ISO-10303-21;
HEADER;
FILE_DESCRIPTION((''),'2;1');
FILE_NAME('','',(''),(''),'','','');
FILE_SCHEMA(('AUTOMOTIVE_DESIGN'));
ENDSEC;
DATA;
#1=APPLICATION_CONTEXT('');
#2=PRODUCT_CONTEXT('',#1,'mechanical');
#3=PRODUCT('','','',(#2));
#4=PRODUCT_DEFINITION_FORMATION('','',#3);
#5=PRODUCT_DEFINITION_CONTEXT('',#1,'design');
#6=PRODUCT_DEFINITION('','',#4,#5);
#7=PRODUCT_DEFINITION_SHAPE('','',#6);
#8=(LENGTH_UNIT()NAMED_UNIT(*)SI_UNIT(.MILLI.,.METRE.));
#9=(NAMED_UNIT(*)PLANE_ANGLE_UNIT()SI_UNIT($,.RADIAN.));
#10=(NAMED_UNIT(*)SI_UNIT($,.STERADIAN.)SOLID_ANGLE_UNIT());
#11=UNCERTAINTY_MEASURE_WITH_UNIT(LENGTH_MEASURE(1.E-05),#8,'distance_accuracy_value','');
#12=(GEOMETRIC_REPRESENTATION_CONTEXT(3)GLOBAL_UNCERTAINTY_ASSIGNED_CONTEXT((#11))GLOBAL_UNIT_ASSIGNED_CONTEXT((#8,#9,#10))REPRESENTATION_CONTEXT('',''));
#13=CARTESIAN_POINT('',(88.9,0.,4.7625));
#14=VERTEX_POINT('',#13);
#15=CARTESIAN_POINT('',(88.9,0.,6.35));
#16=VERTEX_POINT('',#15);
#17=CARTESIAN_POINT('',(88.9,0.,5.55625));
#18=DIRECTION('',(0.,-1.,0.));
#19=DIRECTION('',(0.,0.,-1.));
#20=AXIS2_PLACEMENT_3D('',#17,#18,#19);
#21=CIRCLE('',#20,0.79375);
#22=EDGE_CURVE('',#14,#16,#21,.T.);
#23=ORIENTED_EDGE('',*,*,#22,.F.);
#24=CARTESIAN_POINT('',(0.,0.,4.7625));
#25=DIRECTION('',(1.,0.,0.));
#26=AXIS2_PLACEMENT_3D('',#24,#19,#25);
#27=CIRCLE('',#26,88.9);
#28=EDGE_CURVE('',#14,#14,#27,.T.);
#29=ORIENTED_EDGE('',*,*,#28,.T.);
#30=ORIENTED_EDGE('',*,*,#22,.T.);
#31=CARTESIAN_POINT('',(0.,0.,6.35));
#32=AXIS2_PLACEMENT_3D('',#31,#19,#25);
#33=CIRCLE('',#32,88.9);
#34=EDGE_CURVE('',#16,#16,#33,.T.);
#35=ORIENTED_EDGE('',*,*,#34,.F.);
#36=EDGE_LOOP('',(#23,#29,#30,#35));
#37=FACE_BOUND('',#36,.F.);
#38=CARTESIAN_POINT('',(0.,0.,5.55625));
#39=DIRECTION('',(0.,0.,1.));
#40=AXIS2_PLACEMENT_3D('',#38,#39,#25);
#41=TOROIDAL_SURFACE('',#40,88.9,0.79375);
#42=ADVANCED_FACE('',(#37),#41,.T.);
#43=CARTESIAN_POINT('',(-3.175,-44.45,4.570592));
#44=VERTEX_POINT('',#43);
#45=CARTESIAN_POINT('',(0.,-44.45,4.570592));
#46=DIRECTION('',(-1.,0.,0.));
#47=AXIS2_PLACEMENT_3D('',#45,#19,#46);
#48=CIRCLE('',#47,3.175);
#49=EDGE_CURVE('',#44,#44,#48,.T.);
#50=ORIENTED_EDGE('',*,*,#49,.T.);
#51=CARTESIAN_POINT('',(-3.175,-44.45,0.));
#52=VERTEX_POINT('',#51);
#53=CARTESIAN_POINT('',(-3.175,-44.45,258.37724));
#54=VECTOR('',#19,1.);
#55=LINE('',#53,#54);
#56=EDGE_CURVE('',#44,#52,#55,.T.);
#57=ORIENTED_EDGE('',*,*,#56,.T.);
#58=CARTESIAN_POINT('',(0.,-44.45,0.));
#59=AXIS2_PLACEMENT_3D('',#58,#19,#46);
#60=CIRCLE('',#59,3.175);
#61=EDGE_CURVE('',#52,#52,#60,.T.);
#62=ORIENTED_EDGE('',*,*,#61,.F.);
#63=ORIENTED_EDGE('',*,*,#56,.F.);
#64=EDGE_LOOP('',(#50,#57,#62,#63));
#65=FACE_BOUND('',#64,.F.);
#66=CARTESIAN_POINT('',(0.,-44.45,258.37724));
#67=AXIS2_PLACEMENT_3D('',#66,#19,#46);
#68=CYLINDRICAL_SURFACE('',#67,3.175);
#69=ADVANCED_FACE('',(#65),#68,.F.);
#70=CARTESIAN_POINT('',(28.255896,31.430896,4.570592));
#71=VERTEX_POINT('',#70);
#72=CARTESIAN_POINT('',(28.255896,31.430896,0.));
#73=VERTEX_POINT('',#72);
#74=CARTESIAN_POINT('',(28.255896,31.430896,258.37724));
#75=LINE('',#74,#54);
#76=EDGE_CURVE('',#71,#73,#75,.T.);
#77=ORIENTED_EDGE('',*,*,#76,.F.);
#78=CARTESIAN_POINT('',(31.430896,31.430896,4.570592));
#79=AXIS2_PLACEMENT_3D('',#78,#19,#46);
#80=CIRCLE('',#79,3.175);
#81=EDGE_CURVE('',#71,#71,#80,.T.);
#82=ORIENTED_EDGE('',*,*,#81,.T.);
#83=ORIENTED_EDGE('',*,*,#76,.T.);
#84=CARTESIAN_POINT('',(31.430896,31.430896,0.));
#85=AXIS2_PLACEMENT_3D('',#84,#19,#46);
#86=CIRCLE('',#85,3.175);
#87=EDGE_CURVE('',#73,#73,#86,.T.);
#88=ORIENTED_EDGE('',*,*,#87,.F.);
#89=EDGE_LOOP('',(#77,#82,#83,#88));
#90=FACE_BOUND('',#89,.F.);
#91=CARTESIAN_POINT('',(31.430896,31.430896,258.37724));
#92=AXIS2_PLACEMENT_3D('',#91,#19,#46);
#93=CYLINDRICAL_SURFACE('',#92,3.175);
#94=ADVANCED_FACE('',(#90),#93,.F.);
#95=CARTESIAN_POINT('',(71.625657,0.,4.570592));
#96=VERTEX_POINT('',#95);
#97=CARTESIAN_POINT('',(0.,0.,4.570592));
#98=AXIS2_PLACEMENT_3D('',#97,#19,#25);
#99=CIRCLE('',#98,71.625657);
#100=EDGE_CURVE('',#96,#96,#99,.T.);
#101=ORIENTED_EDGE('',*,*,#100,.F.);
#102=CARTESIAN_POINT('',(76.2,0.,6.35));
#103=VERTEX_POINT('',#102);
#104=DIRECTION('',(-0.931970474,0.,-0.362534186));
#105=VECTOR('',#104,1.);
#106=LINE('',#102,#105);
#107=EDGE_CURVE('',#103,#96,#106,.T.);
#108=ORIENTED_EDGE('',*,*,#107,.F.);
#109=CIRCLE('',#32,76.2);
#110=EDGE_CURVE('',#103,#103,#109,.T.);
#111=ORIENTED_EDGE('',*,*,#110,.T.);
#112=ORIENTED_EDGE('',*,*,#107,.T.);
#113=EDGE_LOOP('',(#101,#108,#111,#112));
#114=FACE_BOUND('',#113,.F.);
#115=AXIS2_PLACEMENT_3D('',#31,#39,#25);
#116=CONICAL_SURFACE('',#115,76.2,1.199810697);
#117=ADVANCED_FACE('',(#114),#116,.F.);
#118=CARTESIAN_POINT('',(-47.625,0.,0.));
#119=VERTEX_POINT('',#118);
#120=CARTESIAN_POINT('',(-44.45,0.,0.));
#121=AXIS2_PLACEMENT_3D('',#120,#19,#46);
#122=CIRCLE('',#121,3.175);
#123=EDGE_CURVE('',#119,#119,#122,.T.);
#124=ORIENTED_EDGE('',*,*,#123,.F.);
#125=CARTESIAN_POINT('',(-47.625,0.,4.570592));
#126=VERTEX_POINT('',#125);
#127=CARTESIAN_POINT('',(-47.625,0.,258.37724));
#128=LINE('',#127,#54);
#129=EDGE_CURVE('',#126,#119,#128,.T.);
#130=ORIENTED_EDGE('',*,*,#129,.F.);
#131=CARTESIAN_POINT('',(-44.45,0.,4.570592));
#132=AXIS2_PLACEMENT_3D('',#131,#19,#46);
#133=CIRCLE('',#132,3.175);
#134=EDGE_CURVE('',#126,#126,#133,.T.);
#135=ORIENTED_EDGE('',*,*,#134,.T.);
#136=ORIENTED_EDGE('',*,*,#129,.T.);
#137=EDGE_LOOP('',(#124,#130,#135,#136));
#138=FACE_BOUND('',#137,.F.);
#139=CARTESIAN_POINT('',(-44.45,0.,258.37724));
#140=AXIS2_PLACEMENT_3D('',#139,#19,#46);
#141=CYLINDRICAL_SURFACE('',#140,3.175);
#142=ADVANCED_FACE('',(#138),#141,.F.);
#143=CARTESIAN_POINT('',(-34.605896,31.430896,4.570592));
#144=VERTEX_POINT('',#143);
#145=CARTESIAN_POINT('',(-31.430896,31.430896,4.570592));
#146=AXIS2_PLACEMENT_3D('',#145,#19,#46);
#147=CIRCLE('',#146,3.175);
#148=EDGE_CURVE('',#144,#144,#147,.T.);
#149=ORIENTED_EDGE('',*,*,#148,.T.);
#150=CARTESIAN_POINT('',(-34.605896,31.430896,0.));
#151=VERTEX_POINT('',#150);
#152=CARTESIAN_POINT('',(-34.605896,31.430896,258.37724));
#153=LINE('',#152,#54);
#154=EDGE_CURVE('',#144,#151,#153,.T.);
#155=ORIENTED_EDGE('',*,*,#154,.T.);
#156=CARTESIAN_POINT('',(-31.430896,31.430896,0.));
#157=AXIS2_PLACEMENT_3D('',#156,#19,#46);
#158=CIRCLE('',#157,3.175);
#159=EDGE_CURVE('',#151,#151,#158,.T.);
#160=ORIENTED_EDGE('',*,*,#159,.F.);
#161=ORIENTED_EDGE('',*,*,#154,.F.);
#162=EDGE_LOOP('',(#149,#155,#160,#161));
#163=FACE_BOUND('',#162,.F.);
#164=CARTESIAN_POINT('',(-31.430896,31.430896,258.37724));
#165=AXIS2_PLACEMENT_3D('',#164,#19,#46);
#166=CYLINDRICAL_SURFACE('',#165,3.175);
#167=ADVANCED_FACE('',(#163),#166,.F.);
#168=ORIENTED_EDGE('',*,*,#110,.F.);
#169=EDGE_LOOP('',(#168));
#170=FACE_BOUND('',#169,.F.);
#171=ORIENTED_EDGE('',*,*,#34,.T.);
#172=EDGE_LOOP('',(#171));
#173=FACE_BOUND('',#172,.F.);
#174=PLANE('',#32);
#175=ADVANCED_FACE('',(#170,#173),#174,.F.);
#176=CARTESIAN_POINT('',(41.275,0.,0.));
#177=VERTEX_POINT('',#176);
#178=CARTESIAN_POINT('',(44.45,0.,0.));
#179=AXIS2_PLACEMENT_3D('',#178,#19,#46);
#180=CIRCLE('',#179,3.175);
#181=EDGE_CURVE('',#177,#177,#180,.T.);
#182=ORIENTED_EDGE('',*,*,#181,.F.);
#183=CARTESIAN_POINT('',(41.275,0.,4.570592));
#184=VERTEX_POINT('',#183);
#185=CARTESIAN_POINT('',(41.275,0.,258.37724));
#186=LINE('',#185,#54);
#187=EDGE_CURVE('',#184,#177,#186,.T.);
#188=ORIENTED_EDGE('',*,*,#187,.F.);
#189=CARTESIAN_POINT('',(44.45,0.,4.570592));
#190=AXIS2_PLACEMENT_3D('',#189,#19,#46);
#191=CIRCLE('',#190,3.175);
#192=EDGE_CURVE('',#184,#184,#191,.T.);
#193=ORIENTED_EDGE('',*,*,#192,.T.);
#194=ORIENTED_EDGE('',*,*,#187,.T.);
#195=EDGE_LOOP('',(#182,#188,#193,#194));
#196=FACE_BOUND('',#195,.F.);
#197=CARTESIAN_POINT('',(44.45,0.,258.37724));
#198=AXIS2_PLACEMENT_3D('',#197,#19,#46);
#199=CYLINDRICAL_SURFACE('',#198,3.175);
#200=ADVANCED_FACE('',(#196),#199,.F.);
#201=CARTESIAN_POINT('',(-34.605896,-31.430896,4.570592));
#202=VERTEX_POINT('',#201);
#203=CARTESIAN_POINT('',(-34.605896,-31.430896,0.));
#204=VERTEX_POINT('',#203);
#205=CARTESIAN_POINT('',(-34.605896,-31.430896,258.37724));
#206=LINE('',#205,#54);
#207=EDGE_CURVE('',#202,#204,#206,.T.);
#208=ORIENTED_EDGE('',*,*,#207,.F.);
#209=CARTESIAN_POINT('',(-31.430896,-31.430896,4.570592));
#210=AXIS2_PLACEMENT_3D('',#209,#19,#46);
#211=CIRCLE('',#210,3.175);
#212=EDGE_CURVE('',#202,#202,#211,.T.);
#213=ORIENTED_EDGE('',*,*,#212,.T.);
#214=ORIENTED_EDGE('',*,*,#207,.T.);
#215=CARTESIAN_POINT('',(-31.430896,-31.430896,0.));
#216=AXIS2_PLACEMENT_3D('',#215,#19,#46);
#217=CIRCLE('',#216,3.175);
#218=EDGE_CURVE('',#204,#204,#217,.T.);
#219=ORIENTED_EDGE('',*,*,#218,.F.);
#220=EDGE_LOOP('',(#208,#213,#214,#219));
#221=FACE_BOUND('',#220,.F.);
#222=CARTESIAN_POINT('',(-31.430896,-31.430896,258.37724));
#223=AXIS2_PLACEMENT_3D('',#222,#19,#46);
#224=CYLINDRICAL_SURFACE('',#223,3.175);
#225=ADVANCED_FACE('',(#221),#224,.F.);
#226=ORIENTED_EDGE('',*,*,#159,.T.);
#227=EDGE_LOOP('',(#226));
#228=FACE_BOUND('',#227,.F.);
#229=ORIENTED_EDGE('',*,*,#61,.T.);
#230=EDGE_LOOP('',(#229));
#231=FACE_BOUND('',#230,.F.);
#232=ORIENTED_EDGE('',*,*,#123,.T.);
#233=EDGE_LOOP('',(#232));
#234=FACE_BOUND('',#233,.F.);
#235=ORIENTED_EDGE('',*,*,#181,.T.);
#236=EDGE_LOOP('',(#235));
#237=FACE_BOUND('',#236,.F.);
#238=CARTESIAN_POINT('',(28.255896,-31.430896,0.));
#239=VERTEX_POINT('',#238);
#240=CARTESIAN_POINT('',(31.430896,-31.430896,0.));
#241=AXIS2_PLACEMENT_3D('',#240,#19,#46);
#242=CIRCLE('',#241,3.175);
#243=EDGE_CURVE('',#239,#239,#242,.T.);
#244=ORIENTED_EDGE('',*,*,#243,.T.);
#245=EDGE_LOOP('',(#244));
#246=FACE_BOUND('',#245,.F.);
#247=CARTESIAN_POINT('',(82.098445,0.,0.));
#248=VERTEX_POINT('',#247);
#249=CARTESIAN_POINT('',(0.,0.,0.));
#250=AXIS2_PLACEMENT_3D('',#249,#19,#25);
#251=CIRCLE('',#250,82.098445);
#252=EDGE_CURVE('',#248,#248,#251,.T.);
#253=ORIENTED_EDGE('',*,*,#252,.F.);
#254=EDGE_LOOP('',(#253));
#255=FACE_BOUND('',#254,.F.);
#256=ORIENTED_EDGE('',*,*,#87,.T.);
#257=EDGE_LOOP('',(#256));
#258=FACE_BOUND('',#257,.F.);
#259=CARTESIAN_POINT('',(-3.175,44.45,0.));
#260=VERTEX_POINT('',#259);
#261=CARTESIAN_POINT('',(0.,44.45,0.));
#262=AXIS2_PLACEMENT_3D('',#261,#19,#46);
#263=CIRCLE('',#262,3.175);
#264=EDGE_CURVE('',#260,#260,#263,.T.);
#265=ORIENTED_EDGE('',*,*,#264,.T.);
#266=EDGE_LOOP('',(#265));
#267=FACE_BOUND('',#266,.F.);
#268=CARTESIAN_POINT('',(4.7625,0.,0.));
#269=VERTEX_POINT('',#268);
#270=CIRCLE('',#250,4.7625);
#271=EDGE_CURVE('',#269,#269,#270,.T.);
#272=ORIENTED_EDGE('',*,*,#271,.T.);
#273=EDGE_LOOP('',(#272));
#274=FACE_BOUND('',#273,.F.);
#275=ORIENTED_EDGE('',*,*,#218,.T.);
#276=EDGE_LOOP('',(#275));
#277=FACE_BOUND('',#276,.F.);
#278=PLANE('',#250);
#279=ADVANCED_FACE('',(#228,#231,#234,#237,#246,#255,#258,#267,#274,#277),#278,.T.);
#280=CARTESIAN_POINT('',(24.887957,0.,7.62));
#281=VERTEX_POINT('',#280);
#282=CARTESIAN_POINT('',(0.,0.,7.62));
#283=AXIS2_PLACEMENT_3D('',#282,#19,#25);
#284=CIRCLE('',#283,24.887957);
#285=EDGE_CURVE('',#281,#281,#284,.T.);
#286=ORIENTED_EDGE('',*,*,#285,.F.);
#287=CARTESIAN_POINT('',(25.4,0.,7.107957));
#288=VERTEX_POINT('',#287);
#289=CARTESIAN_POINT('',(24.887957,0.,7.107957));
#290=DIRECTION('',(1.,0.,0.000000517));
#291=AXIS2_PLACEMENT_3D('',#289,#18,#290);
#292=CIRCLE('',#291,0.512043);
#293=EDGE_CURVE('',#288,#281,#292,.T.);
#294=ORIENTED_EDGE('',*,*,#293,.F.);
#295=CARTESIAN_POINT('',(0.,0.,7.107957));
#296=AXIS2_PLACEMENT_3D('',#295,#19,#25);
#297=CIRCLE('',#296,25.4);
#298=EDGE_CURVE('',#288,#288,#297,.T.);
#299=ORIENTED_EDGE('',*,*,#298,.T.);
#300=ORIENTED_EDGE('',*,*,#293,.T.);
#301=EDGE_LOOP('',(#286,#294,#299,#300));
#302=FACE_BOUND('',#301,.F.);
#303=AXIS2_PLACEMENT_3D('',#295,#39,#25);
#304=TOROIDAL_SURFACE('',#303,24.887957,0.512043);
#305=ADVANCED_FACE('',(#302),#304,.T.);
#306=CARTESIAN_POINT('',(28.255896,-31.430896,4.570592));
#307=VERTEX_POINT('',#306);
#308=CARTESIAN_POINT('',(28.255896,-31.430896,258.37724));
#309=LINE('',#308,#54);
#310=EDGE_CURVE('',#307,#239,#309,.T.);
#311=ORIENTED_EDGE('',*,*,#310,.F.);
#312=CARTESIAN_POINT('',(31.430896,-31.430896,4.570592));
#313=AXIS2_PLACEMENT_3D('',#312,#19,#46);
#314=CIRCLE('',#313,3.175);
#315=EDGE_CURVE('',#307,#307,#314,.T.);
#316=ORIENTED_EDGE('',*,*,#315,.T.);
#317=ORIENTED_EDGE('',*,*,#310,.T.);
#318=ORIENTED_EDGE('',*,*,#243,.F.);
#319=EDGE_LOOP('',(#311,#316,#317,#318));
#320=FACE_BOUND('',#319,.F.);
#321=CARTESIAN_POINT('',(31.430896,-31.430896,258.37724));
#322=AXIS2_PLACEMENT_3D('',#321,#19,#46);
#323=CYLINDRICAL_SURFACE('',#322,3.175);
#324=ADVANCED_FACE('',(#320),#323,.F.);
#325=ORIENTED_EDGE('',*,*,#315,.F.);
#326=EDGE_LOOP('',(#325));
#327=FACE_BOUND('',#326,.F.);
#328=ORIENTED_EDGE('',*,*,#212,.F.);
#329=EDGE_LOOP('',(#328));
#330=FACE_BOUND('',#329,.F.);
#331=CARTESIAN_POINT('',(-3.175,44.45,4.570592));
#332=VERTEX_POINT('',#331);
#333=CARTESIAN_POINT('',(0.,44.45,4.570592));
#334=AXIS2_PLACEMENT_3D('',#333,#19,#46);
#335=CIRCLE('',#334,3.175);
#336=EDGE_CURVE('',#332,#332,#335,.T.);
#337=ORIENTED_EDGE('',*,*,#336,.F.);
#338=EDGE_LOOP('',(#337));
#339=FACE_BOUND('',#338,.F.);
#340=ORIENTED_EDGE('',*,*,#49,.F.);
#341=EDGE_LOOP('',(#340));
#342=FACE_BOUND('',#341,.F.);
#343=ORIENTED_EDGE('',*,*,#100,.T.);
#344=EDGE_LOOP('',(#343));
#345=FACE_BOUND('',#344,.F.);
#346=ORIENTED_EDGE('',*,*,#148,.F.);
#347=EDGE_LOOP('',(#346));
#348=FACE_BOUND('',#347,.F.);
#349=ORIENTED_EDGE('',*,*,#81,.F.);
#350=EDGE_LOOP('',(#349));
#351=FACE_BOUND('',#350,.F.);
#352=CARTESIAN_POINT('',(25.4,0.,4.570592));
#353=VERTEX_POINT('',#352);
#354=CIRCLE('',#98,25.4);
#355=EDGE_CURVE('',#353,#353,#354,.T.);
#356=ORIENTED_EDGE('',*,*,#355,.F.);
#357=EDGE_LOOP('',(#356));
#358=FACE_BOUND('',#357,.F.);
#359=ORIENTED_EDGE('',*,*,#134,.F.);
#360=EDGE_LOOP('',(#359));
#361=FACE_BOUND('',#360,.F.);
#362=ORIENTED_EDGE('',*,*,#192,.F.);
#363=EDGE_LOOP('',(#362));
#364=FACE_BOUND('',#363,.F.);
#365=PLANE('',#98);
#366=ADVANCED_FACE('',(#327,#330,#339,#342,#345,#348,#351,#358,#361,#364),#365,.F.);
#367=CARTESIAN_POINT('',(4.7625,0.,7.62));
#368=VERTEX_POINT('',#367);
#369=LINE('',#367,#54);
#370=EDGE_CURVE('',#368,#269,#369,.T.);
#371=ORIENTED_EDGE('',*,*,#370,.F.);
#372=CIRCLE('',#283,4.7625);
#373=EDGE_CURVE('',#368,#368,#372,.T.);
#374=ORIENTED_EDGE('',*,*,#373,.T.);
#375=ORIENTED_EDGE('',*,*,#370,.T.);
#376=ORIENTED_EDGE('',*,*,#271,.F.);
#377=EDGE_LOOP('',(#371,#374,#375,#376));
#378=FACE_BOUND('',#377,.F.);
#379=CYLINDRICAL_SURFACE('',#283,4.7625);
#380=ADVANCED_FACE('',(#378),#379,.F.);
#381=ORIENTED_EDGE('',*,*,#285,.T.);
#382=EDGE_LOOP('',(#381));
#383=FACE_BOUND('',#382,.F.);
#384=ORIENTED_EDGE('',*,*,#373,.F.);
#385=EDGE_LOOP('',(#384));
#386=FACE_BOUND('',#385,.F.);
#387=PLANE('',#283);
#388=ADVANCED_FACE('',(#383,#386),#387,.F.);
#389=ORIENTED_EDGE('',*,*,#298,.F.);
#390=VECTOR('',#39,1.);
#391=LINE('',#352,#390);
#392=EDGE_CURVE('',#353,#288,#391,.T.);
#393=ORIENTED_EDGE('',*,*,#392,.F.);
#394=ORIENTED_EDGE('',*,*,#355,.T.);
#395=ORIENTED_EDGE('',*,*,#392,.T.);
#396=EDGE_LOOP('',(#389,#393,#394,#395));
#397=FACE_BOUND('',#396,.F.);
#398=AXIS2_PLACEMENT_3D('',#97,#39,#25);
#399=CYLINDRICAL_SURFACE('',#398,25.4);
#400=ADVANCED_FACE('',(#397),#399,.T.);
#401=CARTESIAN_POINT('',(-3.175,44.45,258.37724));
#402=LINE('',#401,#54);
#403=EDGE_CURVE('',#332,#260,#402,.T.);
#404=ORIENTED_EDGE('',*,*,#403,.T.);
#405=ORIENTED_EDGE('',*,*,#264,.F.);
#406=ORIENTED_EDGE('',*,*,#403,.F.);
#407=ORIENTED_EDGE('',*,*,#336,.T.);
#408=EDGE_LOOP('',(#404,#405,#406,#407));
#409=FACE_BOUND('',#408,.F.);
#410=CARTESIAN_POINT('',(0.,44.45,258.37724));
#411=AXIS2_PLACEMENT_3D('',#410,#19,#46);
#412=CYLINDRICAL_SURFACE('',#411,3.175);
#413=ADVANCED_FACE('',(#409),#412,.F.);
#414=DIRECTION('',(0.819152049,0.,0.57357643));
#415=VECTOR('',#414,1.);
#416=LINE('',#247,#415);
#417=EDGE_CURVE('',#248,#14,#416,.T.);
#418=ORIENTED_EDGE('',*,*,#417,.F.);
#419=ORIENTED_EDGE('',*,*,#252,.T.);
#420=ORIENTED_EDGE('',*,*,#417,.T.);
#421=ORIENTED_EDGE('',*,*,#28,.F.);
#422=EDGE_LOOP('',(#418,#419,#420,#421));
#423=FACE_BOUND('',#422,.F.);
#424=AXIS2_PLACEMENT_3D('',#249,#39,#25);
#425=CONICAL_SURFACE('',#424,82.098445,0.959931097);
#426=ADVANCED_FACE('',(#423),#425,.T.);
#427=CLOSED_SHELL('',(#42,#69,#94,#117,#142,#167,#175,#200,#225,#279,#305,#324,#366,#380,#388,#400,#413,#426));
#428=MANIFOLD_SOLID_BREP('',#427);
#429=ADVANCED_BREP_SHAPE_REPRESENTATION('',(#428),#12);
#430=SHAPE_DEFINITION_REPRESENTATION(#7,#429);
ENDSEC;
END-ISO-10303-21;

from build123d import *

# Parameters (mm, degrees)
F3_D = 6.35


with BuildPart() as f1:
    # F0 (on Front) → F1 (revolve)
    with BuildSketch(Plane.XZ):
        with BuildLine():
            Line((4.7625, 7.62), (4.7625, 0))
            Line((4.7625, 0), (82.098445, 0))
            Line((82.098445, 0), (88.9, 4.7625))
            ThreePointArc((88.9, 4.7625), (89.69375, 5.55625), (88.9, 6.35))
            Line((88.9, 6.35), (76.2, 6.35))
            Line((76.2, 6.35), (71.625657, 4.570592))
            Line((71.625657, 4.570592), (25.4, 4.570592))
            Line((25.4, 4.570592), (25.4, 7.107957))
            ThreePointArc((25.4, 7.107957), (25.250026, 7.470026), (24.887957, 7.62))
            Line((24.887957, 7.62), (4.7625, 7.62))
        make_face()
    revolve(axis=Axis((0, 0, 3.81), (0, 0, -1)))

    # F3 (through all)
    with Locations(Plane.XY.offset(4.570592)):
        with Locations((0, 44.45), (31.430896, 31.430896), (44.45, 0), (31.430896, -31.430896), (0, -44.45), (-31.430896, -31.430896), (-44.45, 0), (-31.430896, 31.430896)):
            Hole(F3_D / 2)


solid = f1.part
